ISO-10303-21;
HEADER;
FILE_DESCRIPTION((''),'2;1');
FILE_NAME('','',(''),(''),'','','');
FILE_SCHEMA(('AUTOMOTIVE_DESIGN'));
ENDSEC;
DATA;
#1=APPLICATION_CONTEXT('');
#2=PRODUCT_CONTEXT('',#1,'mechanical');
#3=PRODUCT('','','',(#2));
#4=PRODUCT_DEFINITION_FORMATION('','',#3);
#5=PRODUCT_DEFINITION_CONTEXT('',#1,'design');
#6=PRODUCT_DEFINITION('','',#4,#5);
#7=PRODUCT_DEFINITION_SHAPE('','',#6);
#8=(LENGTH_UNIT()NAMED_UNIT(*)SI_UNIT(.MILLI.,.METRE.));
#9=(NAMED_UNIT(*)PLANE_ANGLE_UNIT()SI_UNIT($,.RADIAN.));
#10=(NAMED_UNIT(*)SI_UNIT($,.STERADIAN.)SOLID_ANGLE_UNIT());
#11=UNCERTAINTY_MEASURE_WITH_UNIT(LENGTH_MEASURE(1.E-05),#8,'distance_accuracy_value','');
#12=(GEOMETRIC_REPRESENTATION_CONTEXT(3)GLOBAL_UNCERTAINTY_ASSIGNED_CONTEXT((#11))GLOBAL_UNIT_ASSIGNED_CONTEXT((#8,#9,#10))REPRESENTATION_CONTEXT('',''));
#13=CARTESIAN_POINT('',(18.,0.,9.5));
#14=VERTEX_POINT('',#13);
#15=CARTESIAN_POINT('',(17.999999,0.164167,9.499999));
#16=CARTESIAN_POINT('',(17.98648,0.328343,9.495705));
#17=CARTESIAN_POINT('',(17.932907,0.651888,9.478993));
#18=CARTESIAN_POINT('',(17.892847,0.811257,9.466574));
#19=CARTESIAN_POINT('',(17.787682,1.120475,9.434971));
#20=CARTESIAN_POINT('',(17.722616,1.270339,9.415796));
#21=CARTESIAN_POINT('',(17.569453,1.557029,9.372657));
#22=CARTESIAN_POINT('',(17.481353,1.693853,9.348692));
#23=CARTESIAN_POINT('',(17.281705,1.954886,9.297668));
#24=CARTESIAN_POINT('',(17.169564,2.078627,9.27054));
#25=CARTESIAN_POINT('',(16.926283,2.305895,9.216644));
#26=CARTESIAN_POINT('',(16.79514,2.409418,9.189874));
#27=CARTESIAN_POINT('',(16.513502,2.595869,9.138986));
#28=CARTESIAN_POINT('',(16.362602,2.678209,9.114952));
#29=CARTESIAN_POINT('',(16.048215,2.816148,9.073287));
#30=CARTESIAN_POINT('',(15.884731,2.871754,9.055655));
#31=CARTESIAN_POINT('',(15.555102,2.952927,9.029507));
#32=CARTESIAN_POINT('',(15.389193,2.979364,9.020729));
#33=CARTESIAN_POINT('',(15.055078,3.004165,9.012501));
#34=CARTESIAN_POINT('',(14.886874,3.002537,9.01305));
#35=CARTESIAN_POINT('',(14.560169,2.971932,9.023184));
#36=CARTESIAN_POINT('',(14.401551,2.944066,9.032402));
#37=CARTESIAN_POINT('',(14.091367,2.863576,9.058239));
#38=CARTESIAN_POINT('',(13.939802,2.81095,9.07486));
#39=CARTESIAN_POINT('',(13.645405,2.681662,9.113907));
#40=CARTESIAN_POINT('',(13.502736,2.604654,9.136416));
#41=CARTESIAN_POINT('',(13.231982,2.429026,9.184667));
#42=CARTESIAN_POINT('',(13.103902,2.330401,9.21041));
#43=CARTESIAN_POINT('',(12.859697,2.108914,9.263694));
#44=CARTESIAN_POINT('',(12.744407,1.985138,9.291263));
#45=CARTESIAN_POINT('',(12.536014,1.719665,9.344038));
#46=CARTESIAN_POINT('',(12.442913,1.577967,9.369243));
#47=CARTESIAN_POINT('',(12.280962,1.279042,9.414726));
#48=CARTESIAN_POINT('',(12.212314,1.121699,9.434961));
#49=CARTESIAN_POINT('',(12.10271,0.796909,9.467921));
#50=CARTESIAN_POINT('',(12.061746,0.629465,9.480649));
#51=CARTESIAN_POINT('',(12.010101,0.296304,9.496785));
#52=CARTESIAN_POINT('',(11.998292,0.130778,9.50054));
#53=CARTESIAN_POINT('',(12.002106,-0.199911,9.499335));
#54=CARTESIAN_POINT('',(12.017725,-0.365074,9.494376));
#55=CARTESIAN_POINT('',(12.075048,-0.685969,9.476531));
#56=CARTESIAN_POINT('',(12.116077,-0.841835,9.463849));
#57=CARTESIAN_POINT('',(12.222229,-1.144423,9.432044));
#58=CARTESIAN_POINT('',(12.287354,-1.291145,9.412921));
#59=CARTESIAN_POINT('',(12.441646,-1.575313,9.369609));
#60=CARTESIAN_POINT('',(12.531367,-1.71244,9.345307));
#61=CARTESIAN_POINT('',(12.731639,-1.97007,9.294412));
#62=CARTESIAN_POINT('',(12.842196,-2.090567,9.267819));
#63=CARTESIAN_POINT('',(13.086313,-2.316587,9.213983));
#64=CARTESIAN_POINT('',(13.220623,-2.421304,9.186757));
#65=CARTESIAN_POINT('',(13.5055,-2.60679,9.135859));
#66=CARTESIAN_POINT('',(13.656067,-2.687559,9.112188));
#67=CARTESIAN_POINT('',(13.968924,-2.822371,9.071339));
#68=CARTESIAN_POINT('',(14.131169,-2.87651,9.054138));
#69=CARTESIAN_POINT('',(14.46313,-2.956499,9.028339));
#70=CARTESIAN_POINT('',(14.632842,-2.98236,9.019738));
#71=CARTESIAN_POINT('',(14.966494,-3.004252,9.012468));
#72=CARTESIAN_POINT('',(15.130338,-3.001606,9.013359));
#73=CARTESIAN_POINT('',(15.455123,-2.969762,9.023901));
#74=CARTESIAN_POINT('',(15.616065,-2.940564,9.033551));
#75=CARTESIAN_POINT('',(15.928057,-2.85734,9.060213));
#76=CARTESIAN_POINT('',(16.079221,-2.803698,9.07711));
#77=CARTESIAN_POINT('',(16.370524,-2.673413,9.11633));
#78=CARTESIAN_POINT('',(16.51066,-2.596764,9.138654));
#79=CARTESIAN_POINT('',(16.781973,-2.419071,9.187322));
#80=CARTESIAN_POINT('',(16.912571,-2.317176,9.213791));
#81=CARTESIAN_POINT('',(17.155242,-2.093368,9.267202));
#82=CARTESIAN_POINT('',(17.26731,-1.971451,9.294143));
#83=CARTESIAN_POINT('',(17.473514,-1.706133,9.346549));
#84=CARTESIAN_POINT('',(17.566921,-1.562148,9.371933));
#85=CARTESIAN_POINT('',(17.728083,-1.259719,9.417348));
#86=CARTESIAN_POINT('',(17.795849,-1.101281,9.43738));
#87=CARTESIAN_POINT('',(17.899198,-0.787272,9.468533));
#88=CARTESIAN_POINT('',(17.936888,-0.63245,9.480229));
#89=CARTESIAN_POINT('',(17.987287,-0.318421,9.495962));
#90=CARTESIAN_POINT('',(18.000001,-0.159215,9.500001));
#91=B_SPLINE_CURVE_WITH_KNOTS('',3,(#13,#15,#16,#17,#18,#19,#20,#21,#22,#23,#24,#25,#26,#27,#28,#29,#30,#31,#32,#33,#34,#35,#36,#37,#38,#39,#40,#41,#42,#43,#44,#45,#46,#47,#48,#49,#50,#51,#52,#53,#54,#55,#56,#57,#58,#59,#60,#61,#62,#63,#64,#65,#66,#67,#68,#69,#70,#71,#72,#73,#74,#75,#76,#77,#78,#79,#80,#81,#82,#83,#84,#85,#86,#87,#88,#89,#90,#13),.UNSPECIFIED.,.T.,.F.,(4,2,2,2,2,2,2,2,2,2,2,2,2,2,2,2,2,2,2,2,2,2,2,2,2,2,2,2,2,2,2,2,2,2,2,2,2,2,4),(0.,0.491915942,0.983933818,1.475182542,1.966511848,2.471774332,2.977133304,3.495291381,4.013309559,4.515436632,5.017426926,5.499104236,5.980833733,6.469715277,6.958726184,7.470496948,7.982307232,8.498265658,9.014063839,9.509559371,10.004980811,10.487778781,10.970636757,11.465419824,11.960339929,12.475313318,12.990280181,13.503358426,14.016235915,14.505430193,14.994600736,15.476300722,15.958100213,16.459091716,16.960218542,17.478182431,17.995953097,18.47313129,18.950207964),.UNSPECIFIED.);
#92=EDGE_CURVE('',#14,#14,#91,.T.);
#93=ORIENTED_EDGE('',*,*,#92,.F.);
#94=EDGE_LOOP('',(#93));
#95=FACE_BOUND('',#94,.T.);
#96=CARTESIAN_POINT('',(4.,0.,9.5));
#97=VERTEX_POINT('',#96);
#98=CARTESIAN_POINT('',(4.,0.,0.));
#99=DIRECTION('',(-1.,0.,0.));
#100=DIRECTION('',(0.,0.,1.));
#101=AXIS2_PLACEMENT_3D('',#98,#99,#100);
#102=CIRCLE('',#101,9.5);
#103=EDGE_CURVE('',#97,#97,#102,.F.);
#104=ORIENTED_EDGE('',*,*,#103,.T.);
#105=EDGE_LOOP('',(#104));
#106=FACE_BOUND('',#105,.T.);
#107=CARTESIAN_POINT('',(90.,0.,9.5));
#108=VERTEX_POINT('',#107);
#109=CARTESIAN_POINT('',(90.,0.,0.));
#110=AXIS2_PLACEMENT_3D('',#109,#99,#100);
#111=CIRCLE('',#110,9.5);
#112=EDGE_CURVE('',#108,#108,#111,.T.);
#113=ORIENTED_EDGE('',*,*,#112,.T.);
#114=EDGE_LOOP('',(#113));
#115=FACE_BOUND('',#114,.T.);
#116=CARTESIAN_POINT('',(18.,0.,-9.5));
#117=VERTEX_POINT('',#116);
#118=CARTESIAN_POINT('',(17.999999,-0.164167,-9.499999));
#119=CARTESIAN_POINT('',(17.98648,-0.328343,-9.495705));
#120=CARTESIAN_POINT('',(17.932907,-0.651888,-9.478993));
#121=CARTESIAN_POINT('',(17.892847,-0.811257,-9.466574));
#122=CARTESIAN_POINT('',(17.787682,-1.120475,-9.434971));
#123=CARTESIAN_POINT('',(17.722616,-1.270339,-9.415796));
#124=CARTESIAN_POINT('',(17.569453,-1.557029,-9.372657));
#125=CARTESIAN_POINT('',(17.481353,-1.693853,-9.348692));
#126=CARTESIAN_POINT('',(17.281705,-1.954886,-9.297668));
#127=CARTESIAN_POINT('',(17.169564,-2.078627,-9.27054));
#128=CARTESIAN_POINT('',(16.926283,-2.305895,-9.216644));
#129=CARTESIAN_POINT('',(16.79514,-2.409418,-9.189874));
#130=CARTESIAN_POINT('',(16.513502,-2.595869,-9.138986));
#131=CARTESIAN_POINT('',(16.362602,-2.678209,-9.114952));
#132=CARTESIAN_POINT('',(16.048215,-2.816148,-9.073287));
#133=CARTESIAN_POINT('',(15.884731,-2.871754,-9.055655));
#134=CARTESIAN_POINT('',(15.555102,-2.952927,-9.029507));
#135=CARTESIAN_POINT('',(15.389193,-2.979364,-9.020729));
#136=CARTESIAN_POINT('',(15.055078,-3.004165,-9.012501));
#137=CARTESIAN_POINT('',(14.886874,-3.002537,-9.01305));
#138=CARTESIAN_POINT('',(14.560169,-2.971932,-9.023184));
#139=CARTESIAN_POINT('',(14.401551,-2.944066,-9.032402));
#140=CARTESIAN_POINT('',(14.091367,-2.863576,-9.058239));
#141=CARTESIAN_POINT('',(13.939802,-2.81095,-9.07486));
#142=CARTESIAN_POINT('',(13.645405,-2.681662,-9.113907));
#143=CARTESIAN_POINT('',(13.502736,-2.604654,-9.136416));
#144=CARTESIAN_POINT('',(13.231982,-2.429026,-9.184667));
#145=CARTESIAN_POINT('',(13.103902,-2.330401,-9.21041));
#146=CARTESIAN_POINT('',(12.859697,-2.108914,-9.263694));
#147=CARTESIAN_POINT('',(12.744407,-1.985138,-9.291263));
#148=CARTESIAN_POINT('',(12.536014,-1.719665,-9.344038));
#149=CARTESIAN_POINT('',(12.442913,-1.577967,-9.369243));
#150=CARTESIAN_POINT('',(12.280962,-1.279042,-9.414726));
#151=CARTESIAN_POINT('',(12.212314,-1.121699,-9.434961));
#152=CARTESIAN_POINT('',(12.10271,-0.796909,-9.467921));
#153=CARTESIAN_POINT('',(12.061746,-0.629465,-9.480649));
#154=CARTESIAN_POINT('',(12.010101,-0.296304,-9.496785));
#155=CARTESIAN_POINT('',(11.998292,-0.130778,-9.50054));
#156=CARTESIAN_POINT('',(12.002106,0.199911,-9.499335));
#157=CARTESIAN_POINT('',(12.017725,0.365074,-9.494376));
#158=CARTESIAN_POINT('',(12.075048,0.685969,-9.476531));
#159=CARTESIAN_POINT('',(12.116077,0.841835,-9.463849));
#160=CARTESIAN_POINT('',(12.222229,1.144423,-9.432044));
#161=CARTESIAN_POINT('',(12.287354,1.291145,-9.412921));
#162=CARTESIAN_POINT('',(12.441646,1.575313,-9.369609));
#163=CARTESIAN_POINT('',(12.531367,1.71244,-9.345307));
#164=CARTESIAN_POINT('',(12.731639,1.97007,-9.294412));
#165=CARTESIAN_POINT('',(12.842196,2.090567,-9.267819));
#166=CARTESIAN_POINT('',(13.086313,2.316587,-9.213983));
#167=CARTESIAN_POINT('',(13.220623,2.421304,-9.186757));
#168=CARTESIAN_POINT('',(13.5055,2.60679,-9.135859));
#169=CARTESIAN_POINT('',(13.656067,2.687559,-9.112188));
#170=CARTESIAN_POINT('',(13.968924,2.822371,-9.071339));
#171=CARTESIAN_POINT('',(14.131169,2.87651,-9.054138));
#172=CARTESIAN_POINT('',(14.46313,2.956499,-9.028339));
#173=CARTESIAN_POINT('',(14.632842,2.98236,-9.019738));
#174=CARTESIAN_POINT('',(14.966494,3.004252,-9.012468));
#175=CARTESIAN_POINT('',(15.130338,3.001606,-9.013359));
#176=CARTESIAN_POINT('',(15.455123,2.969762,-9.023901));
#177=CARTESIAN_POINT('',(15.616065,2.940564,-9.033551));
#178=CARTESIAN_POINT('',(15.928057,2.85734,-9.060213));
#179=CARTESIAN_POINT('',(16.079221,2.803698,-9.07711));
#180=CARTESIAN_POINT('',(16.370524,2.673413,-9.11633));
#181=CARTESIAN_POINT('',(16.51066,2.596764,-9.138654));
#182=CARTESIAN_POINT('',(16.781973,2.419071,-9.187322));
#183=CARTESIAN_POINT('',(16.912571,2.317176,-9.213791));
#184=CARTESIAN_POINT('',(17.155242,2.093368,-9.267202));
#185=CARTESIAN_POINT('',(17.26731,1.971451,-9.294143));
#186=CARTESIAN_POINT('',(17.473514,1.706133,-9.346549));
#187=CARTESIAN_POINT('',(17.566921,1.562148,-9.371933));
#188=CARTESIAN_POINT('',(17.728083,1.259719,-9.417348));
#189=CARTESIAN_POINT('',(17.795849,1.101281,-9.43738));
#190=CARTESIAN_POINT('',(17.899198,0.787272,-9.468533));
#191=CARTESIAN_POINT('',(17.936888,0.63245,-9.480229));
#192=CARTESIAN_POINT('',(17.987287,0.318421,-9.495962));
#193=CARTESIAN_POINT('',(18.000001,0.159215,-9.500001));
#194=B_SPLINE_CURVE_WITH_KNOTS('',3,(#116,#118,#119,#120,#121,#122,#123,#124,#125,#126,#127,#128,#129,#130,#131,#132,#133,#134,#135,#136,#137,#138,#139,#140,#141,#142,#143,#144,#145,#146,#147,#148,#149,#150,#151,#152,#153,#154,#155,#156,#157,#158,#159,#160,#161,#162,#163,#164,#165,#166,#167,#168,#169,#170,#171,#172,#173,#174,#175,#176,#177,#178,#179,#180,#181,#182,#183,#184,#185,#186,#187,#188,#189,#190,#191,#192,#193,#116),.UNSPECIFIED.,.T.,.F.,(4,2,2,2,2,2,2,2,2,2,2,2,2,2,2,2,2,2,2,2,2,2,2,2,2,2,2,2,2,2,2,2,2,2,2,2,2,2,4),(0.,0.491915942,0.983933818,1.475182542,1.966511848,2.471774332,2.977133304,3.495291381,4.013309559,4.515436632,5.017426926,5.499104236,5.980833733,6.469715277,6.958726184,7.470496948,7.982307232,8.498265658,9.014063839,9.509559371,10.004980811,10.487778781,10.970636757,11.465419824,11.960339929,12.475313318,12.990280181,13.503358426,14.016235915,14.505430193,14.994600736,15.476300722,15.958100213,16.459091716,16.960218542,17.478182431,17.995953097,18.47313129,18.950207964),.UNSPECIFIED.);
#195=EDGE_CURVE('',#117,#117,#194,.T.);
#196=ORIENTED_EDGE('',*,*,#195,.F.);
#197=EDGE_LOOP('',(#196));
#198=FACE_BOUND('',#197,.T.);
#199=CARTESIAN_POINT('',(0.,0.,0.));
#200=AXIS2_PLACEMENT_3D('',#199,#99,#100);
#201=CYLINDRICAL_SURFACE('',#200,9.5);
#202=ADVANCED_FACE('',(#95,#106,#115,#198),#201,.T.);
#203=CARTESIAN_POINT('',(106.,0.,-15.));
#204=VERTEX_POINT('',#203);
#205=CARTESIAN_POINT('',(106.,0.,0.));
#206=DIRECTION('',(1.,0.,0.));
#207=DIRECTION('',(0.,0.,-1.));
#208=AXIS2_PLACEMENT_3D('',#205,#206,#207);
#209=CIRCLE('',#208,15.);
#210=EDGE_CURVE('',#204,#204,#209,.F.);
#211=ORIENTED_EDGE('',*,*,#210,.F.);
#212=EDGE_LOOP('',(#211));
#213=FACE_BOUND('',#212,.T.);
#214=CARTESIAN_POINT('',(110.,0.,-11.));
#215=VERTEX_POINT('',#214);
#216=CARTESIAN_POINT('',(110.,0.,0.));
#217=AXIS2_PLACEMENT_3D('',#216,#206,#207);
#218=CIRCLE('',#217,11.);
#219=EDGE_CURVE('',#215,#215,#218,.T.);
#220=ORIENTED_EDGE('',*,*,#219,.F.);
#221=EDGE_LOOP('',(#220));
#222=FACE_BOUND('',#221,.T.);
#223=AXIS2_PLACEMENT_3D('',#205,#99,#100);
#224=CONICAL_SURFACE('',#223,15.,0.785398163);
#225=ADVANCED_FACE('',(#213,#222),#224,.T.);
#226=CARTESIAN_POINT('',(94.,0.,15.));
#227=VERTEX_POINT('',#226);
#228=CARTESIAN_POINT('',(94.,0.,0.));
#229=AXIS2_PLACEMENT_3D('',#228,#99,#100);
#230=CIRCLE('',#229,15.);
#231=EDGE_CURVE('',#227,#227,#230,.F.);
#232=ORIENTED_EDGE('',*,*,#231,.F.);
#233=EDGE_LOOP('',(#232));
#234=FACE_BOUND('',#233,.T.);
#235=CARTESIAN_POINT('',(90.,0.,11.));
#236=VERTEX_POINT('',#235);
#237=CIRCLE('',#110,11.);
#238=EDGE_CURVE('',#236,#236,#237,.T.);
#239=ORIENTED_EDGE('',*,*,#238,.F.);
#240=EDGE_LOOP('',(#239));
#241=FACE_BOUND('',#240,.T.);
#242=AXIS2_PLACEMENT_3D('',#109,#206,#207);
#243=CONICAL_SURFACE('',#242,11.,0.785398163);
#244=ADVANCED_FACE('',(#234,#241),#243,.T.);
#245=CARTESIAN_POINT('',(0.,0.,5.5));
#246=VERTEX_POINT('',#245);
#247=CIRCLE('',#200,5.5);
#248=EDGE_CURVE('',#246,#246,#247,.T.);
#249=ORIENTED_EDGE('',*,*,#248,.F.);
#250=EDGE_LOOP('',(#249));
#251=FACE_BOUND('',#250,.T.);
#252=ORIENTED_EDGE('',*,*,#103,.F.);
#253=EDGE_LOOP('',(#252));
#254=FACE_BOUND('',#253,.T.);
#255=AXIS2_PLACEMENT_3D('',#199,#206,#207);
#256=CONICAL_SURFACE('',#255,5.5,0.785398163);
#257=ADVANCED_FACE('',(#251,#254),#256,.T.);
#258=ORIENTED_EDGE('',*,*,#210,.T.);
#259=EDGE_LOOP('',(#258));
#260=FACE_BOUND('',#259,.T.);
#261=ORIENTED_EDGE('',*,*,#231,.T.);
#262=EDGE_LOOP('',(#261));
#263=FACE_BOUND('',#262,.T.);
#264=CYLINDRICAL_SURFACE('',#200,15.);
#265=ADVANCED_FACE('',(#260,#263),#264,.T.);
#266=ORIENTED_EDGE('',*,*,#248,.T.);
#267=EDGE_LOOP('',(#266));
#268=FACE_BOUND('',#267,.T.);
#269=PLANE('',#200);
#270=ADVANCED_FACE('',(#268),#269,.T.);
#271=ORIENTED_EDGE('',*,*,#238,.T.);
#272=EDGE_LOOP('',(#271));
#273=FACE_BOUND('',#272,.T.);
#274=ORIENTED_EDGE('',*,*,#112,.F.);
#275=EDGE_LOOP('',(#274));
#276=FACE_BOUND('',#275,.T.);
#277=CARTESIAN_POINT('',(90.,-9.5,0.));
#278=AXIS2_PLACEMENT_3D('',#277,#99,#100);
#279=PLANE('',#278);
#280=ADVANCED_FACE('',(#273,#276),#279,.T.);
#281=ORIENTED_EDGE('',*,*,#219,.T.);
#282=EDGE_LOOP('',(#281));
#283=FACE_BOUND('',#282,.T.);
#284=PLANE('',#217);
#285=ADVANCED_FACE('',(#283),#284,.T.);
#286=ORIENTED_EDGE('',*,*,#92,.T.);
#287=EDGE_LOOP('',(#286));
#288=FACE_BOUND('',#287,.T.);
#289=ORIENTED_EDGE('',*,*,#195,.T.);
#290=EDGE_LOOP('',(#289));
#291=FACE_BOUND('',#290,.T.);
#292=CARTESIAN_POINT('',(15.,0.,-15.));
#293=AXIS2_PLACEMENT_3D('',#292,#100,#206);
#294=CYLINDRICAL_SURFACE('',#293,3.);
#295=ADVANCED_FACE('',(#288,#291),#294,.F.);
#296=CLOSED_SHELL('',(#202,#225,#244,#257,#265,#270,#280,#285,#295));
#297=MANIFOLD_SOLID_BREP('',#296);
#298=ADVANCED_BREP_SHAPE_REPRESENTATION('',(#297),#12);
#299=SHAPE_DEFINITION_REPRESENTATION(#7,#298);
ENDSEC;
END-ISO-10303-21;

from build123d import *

# Parameters (mm, degrees)
CHAMFER1_SIZE           = 4
SKETCH2_R               = 3
CUT_EXTRUDE1_DEPTH      = 16
CUT_EXTRUDE1_DEPTH_BACK = 16


with BuildPart() as part:
    # Sketch1 → Revolve1 (revolve)
    with BuildSketch(Plane.XY):
        Polygon((0, 0), (0, -9.5), (90, -9.5), (90, -15), (110, -15), (110, 0), align=None)
    revolve(axis=Axis((0, 0, 0), (1, 0, 0)))

    # Chamfer1
    chamfer1_edges = [part.edges().sort_by_distance(p)[0] for p in [
        (0, 9.5, 0),
        (90, 15, 0),
        (110, 15, 0),
    ]]
    chamfer(chamfer1_edges, length=CHAMFER1_SIZE)

    # Sketch2 → Cut-Extrude1 (cut, two sides)
    with BuildSketch(Plane.XY) as cut_extrude1_sk:
        with Locations((15, 0)):
            Circle(SKETCH2_R)
    extrude(amount=CUT_EXTRUDE1_DEPTH, mode=Mode.SUBTRACT)
    extrude(cut_extrude1_sk.sketch, amount=-CUT_EXTRUDE1_DEPTH_BACK, mode=Mode.SUBTRACT)


solid = part.part
